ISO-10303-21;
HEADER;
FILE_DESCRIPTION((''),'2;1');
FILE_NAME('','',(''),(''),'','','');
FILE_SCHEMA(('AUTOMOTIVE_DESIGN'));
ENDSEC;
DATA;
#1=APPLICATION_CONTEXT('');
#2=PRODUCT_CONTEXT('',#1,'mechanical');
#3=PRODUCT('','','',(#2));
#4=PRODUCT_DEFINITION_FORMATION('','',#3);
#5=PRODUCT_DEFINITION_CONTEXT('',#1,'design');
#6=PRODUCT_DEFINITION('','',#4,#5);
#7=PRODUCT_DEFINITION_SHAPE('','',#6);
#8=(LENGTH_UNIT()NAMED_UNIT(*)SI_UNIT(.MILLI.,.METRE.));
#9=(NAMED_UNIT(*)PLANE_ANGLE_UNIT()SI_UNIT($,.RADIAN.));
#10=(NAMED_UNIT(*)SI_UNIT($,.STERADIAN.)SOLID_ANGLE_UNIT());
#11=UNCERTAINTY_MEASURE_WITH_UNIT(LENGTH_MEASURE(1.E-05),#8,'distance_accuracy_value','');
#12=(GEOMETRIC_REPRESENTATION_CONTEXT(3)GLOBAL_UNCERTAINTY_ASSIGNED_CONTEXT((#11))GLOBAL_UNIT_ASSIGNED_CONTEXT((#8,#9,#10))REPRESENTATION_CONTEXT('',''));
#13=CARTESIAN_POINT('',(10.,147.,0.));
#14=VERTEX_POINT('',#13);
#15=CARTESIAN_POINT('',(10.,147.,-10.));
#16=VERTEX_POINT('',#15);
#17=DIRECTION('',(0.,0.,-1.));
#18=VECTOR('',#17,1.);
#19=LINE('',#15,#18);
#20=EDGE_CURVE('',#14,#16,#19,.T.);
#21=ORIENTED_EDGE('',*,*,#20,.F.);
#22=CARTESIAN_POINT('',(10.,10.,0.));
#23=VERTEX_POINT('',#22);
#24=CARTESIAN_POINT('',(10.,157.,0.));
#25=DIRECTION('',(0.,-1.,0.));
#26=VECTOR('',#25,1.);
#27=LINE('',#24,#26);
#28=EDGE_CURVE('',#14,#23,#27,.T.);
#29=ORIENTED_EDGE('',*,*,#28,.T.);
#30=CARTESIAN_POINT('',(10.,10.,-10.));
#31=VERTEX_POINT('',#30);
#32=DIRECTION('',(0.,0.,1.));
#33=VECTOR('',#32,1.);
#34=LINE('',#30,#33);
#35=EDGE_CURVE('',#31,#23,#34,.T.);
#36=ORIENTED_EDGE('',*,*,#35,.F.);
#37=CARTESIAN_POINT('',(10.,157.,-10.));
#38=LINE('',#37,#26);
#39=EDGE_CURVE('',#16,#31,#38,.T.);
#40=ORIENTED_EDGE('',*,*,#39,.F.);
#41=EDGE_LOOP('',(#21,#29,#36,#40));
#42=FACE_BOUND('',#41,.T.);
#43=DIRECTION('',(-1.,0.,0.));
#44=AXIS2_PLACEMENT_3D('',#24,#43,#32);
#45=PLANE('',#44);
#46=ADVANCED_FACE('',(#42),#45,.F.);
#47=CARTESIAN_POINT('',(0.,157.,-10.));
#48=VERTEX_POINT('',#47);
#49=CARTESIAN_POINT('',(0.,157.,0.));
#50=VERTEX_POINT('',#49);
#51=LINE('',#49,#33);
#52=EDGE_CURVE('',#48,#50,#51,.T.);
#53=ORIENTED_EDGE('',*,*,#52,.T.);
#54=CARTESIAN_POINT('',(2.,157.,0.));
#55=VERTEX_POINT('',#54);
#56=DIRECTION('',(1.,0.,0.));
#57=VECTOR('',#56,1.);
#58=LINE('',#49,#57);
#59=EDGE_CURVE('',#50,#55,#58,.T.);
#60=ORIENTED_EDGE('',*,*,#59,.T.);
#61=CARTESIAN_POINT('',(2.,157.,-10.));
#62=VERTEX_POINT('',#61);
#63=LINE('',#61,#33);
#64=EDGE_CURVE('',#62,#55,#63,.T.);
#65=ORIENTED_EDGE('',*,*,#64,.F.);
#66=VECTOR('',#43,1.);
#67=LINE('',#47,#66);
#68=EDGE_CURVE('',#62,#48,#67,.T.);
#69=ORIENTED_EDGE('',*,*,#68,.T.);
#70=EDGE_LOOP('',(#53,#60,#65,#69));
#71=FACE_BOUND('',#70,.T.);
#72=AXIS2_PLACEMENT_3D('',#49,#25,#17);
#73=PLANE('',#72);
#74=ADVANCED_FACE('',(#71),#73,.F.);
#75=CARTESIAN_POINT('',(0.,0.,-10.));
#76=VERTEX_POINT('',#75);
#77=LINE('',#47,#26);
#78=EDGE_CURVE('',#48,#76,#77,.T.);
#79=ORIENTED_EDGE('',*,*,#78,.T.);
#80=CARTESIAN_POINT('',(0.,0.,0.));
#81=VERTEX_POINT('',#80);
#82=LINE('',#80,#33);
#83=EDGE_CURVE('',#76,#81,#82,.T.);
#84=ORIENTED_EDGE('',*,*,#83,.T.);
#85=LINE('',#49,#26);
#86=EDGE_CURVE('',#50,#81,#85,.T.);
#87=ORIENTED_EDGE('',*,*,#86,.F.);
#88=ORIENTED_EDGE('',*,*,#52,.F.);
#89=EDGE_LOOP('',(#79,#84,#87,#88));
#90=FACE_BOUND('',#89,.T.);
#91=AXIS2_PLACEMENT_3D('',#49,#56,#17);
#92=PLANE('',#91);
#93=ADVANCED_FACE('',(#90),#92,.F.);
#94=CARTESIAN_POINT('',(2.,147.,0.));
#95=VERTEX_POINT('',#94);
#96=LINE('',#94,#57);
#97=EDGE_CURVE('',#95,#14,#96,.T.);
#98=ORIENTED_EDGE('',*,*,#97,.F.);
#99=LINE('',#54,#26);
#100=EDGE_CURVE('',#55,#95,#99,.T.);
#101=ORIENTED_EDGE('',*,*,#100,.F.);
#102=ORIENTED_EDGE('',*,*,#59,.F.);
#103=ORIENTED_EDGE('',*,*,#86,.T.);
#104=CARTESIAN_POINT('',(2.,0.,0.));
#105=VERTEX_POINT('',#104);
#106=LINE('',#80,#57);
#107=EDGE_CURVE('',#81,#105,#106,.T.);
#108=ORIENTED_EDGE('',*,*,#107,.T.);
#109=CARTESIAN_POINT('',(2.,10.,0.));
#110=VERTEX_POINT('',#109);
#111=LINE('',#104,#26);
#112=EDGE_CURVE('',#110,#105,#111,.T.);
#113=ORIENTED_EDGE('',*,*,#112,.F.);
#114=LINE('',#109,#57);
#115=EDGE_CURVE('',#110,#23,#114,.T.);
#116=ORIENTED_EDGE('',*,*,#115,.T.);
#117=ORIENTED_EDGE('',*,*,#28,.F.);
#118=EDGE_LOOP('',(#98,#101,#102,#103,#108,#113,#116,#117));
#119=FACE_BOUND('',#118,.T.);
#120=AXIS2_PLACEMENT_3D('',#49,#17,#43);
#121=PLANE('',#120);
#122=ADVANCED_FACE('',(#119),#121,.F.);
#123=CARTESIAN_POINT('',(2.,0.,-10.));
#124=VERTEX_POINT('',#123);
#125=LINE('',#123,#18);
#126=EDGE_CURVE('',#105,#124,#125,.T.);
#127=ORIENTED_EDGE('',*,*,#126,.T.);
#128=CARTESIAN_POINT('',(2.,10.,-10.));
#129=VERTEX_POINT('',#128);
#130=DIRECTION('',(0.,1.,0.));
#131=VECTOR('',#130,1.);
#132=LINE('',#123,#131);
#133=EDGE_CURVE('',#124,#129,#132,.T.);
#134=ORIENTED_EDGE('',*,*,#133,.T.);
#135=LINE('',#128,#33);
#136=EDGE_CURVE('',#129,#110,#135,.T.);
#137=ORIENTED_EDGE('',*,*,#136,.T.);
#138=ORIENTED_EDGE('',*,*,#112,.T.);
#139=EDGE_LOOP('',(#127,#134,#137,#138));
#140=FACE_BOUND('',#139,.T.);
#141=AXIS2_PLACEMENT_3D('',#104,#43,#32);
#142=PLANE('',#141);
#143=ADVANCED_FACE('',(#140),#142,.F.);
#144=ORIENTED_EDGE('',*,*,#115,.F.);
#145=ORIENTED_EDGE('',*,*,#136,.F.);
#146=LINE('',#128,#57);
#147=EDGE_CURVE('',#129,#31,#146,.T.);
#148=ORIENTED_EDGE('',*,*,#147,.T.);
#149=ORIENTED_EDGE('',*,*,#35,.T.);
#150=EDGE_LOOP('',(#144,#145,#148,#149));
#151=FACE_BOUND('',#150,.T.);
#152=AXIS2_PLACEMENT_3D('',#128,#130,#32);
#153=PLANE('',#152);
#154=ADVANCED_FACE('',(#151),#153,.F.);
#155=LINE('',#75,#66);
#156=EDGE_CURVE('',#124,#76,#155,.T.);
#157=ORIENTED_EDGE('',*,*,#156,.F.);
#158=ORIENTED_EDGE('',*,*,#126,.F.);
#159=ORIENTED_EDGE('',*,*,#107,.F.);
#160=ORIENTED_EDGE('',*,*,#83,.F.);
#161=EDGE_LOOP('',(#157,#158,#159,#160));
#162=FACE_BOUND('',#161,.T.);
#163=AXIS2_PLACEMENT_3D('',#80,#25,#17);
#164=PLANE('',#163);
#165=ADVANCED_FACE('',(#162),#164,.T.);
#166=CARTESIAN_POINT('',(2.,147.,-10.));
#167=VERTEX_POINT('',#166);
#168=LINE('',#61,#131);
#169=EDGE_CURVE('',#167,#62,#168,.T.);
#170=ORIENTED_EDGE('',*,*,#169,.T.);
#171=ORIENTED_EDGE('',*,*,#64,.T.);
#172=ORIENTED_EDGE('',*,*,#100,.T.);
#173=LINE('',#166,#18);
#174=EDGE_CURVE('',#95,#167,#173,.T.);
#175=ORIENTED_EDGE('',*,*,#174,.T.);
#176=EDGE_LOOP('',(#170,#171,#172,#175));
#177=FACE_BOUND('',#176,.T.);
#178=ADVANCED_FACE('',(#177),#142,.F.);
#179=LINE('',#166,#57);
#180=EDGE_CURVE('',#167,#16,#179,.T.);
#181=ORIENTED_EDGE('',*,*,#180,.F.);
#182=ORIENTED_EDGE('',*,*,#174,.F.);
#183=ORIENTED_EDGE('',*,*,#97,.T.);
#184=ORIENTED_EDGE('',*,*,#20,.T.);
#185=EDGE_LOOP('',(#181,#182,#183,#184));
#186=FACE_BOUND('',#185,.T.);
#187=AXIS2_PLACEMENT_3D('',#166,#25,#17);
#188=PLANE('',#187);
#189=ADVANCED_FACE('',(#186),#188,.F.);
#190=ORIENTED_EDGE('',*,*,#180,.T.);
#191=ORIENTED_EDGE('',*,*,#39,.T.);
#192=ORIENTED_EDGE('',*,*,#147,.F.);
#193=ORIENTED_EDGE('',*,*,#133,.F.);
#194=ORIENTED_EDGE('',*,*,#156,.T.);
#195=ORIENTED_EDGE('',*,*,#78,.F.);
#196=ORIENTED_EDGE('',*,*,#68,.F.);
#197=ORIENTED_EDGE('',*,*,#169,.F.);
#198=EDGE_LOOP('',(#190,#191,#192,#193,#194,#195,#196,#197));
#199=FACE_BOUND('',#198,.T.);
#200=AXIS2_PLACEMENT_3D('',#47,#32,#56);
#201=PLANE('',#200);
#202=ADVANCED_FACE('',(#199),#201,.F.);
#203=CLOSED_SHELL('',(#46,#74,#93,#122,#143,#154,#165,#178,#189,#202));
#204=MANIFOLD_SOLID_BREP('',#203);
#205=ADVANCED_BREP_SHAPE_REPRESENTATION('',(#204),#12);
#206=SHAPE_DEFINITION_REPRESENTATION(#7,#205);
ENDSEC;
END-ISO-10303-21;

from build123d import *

# Parameters (mm, degrees)
ESQUISSE1_W             = 10
ESQUISSE1_H             = 10
BOSS_EXTRU_1_DEPTH      = 157
ESQUISSE2_W             = 10
ESQUISSE2_H             = 10
ENL_V_MAT_EXTRU_1_DEPTH = 8


with BuildPart() as part:
    # Esquisse1 → Boss.-Extru.1 (new body)
    with BuildSketch(Plane(origin=(0, 0, 0), x_dir=(1, 0, 0), z_dir=(0, 1, 0))):
        with Locations((5, 5)):
            Rectangle(ESQUISSE1_W, ESQUISSE1_H)
    extrude(amount=BOSS_EXTRU_1_DEPTH)

    # Esquisse2 → Enlèv. mat.-Extru.1 (cut)
    with BuildSketch(Plane(origin=(10, 0, 0), x_dir=(0, 0, -1), z_dir=(1, 0, 0))):
        with Locations((5, 152)):
            Rectangle(ESQUISSE2_W, ESQUISSE2_H)
        with Locations((5, 5)):
            Rectangle(ESQUISSE2_W, ESQUISSE2_H)
    extrude(amount=-ENL_V_MAT_EXTRU_1_DEPTH, mode=Mode.SUBTRACT)


solid = part.part
